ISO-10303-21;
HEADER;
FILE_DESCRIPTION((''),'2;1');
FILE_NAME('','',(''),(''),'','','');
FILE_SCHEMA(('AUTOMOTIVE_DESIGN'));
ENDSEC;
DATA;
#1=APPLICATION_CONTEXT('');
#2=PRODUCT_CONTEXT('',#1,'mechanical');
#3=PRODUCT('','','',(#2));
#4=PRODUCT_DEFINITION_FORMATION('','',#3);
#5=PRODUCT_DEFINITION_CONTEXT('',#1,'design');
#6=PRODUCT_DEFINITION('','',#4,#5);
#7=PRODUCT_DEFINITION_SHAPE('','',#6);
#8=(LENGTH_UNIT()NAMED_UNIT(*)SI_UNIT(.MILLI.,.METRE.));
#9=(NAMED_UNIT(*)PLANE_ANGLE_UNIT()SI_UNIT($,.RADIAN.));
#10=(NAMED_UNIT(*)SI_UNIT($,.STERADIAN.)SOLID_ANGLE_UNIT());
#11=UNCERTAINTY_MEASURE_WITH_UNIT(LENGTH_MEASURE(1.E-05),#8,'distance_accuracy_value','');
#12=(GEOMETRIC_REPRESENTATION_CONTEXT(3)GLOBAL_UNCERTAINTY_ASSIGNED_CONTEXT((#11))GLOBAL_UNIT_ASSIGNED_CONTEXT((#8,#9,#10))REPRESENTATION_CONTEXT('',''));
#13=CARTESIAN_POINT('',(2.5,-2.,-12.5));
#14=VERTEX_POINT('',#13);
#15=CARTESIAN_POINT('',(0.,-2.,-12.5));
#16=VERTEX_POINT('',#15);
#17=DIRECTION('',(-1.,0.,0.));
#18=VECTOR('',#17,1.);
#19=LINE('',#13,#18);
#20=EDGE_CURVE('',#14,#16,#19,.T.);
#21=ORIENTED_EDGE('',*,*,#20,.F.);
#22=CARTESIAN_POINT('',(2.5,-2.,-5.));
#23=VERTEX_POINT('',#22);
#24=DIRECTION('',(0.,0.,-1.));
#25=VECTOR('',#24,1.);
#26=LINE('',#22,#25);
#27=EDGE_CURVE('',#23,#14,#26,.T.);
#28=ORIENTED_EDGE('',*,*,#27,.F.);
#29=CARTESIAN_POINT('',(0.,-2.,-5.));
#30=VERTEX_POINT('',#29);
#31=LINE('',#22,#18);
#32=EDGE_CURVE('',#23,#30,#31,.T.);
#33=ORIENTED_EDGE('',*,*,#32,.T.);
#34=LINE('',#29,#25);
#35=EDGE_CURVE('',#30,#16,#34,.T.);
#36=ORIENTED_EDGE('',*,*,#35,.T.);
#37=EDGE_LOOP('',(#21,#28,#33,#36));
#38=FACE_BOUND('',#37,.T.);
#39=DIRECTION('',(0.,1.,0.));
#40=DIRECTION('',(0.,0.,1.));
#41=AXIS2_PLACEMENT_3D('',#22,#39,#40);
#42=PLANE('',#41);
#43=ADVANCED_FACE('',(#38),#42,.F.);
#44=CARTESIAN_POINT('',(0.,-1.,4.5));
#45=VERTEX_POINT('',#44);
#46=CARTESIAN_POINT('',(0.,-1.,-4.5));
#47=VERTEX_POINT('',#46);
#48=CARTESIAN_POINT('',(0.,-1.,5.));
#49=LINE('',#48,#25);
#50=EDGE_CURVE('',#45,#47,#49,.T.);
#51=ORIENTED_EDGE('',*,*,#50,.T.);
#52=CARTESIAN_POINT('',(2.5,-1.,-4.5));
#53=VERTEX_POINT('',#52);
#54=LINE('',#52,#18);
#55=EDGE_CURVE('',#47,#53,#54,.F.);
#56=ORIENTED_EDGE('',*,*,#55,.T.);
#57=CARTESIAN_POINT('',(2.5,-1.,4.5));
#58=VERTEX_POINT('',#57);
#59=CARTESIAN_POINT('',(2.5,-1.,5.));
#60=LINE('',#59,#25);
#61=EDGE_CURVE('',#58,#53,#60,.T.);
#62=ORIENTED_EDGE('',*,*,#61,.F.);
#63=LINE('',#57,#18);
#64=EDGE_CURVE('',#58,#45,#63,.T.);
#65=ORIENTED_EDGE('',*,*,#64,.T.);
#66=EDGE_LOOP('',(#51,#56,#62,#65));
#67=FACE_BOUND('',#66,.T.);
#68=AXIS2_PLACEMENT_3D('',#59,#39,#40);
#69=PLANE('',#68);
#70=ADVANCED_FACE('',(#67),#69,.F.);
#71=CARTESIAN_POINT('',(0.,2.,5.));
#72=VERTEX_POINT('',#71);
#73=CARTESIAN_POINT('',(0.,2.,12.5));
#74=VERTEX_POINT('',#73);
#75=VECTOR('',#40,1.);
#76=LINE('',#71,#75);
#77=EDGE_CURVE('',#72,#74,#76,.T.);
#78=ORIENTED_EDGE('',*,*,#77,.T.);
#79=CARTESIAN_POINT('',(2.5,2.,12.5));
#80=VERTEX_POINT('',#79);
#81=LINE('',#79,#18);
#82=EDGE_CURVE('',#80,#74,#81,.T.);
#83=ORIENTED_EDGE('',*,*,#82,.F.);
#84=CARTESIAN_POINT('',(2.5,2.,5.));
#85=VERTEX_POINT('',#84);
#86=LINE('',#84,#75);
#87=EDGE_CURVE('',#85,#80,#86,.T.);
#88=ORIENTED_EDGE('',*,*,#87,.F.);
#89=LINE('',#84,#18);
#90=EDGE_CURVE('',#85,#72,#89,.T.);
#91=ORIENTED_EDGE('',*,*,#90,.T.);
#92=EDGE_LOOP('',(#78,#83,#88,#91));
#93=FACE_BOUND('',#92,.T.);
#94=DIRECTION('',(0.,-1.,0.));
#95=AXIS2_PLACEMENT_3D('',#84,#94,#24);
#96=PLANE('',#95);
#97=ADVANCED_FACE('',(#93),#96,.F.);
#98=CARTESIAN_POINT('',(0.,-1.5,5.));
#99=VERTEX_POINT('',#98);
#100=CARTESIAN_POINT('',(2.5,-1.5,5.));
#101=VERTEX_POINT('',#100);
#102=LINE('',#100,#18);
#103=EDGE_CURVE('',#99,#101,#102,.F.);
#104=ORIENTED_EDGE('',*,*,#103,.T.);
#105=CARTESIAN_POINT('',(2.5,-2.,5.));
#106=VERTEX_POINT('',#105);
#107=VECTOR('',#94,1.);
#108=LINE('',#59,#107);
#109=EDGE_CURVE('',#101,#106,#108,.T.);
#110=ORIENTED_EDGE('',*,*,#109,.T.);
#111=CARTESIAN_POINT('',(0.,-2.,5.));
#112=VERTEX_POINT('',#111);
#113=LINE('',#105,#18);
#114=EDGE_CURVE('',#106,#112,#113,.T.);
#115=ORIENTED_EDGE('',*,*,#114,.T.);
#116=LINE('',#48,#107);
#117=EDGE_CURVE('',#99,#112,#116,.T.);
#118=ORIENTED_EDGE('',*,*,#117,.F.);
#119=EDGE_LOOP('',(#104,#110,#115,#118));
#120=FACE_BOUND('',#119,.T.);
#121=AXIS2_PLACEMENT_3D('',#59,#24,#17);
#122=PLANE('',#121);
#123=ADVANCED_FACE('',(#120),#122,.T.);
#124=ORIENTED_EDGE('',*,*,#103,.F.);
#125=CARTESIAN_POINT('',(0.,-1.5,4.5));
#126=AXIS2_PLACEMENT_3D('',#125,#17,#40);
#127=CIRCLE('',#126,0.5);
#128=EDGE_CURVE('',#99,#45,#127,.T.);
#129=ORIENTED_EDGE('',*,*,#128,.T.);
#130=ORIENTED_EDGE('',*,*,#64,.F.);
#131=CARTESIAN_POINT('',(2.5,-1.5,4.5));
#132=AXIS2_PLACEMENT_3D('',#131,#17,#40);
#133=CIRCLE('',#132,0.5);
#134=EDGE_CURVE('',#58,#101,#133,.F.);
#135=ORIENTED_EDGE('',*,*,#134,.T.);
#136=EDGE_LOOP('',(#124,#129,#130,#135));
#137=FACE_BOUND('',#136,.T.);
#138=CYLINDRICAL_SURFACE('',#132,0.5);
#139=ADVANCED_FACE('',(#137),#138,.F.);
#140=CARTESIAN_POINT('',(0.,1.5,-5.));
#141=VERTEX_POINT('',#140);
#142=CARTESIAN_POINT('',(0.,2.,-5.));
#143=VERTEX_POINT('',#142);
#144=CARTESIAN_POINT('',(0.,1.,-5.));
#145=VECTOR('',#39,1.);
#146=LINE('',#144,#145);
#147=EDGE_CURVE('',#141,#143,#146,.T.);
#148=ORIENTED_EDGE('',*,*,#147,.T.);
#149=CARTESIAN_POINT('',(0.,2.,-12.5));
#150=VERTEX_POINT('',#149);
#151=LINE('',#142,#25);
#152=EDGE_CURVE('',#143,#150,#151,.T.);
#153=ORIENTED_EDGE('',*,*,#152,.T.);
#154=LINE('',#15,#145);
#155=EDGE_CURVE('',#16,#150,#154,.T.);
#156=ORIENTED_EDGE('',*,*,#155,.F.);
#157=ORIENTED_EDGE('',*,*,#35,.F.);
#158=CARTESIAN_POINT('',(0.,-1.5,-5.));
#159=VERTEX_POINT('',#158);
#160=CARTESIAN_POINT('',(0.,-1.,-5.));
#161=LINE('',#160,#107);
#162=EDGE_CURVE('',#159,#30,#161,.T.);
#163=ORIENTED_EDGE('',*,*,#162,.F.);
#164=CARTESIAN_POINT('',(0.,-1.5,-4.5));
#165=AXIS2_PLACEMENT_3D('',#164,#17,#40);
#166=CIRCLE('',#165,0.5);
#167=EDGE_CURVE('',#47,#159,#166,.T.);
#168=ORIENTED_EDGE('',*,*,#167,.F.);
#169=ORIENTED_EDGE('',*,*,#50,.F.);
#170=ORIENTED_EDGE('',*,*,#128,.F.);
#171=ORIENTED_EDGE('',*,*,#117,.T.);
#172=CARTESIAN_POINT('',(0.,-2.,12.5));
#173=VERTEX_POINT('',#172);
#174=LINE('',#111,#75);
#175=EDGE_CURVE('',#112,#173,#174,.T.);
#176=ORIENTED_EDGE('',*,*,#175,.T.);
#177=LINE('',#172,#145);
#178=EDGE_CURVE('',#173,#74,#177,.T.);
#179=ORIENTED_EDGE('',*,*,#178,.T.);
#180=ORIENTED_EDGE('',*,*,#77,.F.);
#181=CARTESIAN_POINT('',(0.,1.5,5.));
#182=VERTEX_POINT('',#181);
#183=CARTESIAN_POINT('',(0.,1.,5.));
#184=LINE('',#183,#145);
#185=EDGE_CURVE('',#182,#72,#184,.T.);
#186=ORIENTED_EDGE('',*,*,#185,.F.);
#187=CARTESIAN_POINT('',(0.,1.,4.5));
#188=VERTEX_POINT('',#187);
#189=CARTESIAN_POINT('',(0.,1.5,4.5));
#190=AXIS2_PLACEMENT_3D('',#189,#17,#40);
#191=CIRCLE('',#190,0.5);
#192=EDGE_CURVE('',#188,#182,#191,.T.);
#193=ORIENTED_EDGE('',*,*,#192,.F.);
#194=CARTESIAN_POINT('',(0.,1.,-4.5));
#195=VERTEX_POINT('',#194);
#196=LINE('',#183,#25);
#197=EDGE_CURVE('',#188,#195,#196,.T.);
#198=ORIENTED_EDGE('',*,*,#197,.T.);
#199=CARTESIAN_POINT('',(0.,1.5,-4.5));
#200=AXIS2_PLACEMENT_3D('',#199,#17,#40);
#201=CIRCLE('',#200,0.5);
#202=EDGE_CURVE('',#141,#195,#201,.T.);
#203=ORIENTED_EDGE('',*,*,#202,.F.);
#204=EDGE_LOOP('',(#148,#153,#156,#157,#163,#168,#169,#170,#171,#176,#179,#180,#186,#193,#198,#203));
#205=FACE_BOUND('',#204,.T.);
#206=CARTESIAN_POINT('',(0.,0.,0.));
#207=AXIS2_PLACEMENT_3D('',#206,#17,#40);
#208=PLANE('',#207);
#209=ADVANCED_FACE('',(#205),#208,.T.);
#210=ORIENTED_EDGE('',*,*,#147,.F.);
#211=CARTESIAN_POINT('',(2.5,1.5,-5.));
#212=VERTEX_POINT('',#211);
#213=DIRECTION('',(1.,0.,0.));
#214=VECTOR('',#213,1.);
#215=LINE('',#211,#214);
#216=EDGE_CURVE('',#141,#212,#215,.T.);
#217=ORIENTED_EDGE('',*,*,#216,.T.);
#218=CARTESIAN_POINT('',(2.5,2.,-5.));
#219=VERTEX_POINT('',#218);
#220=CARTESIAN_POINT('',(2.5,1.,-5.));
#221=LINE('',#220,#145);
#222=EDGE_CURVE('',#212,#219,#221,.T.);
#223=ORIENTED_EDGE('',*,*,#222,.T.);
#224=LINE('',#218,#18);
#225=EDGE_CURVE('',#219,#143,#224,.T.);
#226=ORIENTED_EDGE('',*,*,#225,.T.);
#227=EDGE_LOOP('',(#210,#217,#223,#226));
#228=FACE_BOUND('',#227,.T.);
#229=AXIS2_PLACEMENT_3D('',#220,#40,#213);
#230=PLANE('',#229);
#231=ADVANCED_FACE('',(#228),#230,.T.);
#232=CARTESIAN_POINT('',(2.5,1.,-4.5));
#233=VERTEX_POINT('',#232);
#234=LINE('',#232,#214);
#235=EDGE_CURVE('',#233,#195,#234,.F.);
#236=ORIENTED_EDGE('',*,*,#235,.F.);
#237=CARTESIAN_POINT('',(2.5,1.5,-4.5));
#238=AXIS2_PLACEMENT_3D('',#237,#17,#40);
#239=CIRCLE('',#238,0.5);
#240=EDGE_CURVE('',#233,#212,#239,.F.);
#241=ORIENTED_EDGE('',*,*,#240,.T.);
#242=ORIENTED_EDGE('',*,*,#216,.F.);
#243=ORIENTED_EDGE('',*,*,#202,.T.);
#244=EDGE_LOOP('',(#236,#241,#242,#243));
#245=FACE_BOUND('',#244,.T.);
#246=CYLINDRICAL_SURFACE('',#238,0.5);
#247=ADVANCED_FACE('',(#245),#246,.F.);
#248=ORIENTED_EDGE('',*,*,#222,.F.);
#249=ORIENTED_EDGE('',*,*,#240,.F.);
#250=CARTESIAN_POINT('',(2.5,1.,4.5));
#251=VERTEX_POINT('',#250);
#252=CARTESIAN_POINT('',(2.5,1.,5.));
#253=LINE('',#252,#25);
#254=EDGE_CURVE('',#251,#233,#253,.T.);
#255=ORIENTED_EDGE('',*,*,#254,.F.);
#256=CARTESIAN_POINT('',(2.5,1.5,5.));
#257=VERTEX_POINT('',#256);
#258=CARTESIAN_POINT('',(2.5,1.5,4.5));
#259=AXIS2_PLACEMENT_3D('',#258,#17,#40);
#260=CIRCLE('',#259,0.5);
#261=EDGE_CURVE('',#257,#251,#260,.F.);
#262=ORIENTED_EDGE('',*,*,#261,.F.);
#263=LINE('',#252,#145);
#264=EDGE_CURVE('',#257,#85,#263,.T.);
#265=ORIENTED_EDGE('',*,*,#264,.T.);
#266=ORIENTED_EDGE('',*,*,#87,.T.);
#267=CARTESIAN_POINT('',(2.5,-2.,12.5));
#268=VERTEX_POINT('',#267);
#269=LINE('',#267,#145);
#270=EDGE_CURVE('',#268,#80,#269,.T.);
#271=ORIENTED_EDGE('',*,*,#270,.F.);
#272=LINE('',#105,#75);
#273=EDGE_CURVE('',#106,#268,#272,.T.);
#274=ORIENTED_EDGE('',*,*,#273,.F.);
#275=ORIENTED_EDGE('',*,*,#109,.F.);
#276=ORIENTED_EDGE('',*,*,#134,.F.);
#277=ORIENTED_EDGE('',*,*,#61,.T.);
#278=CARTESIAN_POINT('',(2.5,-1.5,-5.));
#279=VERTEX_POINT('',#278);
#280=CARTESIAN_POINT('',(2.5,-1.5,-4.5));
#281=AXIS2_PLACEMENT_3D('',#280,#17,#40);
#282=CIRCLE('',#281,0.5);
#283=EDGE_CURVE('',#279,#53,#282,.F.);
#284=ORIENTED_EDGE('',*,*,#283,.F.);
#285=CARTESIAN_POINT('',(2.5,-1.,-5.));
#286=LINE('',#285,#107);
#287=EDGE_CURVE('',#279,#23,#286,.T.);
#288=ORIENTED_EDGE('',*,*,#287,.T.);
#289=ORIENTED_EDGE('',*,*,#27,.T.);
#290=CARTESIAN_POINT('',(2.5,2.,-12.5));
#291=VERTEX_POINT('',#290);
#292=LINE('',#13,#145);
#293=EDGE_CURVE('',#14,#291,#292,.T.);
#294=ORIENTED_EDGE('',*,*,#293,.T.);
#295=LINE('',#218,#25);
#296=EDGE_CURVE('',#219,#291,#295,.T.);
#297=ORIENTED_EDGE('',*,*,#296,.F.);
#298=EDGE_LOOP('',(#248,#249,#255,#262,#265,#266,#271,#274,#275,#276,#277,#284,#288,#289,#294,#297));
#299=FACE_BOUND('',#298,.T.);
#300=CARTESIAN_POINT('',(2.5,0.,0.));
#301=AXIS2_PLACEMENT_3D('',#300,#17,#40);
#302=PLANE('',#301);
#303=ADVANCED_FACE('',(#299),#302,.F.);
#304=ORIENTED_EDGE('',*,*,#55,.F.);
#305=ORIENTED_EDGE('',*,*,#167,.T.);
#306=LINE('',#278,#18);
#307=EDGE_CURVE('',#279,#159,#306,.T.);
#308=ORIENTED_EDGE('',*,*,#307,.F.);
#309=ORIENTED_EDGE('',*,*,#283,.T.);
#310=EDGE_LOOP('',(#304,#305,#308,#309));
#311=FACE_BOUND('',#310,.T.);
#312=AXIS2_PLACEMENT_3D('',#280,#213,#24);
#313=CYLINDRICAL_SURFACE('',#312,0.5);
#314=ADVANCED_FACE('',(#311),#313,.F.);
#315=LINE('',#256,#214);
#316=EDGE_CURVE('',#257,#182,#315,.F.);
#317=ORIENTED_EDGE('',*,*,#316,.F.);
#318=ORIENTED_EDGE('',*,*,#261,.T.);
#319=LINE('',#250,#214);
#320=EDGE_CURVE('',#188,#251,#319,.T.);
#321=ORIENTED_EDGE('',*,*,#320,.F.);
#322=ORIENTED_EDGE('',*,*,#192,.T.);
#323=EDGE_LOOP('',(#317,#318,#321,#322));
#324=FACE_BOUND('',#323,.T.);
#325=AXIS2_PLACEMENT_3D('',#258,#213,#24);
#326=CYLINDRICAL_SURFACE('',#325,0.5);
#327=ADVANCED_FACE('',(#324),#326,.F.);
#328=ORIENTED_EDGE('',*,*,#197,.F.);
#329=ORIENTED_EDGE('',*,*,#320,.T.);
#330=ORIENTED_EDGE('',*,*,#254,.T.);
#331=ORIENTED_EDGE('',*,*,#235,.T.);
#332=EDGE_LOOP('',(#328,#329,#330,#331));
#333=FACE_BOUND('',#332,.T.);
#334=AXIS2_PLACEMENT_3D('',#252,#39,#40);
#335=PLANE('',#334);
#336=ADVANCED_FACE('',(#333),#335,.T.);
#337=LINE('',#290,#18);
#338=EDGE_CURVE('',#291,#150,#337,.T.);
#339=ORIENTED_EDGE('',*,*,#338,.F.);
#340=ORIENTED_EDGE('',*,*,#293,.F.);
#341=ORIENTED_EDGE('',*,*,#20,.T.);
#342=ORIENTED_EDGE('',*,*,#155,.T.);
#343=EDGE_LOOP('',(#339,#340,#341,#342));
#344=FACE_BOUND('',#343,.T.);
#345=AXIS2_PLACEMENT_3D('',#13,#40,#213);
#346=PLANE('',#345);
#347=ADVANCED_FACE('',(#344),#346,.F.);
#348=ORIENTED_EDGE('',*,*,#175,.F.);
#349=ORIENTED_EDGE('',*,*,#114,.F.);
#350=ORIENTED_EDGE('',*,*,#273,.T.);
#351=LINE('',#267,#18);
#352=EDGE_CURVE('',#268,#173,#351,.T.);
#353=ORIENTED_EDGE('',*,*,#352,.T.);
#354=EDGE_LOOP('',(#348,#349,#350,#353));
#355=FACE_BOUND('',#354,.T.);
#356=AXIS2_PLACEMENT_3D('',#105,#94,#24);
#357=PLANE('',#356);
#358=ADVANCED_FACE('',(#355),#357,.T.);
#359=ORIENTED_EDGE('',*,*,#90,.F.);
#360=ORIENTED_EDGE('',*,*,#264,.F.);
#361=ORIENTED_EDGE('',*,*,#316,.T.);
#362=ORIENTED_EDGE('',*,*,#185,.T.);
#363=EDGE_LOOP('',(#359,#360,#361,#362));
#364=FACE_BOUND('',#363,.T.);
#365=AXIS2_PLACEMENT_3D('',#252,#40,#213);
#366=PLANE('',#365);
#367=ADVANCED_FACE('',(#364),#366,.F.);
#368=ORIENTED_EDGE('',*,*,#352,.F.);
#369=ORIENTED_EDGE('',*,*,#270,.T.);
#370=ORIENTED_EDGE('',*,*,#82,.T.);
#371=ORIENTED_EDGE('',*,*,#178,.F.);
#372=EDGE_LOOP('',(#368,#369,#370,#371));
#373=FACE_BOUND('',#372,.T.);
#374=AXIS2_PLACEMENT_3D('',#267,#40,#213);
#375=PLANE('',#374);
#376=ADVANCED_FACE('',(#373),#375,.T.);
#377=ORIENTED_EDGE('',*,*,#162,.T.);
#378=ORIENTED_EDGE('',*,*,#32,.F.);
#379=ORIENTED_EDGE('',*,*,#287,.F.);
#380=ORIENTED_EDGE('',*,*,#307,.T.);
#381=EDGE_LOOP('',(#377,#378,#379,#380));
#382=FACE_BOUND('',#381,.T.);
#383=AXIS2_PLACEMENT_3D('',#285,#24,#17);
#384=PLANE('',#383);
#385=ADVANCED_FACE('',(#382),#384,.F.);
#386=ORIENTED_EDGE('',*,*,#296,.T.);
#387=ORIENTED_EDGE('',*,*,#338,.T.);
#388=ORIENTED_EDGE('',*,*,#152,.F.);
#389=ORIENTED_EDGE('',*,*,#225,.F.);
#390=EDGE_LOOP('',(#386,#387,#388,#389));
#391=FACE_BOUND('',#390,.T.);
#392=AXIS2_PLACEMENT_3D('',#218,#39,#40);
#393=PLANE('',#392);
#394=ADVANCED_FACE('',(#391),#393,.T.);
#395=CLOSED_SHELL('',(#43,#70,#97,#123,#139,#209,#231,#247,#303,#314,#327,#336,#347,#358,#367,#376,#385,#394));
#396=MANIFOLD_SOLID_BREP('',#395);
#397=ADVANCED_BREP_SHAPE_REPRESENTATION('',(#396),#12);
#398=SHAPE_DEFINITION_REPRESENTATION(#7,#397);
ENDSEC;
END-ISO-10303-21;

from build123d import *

# Parameters (mm, degrees)
EXTRUDE_1_DEPTH = 2.5
FILLET_1_R      = 0.5
FILLET_2_R      = 0.5
FILLET_3_R      = 0.5
FILLET_4_R      = 0.5


with BuildPart() as part:
    # 草图1 → 凸台-拉伸1 (new body)
    with BuildSketch(Plane(origin=(0, 0, 0), x_dir=(0, 0, -1), z_dir=(1, 0, 0))):
        Polygon((-5, 1), (5, 1), (5, 2), (12.5, 2), (12.5, -2), (5, -2), (5, -1), (-5, -1), (-5, -2), (-12.5, -2), (-12.5, 2), (-5, 2), align=None)
    extrude(amount=EXTRUDE_1_DEPTH)

    # 圆角1
    fillet_1_edges = [part.edges().sort_by_distance(p)[0] for p in [
        (1.25, 1, -5),
    ]]
    fillet(fillet_1_edges, radius=FILLET_1_R)

    # 圆角2
    fillet_2_edges = [part.edges().sort_by_distance(p)[0] for p in [
        (1.25, -1, -5),
    ]]
    fillet(fillet_2_edges, radius=FILLET_2_R)

    # 圆角3
    fillet_3_edges = [part.edges().sort_by_distance(p)[0] for p in [
        (1.25, 1, 5),
    ]]
    fillet(fillet_3_edges, radius=FILLET_3_R)

    # 圆角4
    fillet_4_edges = [part.edges().sort_by_distance(p)[0] for p in [
        (1.25, -1, 5),
    ]]
    fillet(fillet_4_edges, radius=FILLET_4_R)


solid = part.part
